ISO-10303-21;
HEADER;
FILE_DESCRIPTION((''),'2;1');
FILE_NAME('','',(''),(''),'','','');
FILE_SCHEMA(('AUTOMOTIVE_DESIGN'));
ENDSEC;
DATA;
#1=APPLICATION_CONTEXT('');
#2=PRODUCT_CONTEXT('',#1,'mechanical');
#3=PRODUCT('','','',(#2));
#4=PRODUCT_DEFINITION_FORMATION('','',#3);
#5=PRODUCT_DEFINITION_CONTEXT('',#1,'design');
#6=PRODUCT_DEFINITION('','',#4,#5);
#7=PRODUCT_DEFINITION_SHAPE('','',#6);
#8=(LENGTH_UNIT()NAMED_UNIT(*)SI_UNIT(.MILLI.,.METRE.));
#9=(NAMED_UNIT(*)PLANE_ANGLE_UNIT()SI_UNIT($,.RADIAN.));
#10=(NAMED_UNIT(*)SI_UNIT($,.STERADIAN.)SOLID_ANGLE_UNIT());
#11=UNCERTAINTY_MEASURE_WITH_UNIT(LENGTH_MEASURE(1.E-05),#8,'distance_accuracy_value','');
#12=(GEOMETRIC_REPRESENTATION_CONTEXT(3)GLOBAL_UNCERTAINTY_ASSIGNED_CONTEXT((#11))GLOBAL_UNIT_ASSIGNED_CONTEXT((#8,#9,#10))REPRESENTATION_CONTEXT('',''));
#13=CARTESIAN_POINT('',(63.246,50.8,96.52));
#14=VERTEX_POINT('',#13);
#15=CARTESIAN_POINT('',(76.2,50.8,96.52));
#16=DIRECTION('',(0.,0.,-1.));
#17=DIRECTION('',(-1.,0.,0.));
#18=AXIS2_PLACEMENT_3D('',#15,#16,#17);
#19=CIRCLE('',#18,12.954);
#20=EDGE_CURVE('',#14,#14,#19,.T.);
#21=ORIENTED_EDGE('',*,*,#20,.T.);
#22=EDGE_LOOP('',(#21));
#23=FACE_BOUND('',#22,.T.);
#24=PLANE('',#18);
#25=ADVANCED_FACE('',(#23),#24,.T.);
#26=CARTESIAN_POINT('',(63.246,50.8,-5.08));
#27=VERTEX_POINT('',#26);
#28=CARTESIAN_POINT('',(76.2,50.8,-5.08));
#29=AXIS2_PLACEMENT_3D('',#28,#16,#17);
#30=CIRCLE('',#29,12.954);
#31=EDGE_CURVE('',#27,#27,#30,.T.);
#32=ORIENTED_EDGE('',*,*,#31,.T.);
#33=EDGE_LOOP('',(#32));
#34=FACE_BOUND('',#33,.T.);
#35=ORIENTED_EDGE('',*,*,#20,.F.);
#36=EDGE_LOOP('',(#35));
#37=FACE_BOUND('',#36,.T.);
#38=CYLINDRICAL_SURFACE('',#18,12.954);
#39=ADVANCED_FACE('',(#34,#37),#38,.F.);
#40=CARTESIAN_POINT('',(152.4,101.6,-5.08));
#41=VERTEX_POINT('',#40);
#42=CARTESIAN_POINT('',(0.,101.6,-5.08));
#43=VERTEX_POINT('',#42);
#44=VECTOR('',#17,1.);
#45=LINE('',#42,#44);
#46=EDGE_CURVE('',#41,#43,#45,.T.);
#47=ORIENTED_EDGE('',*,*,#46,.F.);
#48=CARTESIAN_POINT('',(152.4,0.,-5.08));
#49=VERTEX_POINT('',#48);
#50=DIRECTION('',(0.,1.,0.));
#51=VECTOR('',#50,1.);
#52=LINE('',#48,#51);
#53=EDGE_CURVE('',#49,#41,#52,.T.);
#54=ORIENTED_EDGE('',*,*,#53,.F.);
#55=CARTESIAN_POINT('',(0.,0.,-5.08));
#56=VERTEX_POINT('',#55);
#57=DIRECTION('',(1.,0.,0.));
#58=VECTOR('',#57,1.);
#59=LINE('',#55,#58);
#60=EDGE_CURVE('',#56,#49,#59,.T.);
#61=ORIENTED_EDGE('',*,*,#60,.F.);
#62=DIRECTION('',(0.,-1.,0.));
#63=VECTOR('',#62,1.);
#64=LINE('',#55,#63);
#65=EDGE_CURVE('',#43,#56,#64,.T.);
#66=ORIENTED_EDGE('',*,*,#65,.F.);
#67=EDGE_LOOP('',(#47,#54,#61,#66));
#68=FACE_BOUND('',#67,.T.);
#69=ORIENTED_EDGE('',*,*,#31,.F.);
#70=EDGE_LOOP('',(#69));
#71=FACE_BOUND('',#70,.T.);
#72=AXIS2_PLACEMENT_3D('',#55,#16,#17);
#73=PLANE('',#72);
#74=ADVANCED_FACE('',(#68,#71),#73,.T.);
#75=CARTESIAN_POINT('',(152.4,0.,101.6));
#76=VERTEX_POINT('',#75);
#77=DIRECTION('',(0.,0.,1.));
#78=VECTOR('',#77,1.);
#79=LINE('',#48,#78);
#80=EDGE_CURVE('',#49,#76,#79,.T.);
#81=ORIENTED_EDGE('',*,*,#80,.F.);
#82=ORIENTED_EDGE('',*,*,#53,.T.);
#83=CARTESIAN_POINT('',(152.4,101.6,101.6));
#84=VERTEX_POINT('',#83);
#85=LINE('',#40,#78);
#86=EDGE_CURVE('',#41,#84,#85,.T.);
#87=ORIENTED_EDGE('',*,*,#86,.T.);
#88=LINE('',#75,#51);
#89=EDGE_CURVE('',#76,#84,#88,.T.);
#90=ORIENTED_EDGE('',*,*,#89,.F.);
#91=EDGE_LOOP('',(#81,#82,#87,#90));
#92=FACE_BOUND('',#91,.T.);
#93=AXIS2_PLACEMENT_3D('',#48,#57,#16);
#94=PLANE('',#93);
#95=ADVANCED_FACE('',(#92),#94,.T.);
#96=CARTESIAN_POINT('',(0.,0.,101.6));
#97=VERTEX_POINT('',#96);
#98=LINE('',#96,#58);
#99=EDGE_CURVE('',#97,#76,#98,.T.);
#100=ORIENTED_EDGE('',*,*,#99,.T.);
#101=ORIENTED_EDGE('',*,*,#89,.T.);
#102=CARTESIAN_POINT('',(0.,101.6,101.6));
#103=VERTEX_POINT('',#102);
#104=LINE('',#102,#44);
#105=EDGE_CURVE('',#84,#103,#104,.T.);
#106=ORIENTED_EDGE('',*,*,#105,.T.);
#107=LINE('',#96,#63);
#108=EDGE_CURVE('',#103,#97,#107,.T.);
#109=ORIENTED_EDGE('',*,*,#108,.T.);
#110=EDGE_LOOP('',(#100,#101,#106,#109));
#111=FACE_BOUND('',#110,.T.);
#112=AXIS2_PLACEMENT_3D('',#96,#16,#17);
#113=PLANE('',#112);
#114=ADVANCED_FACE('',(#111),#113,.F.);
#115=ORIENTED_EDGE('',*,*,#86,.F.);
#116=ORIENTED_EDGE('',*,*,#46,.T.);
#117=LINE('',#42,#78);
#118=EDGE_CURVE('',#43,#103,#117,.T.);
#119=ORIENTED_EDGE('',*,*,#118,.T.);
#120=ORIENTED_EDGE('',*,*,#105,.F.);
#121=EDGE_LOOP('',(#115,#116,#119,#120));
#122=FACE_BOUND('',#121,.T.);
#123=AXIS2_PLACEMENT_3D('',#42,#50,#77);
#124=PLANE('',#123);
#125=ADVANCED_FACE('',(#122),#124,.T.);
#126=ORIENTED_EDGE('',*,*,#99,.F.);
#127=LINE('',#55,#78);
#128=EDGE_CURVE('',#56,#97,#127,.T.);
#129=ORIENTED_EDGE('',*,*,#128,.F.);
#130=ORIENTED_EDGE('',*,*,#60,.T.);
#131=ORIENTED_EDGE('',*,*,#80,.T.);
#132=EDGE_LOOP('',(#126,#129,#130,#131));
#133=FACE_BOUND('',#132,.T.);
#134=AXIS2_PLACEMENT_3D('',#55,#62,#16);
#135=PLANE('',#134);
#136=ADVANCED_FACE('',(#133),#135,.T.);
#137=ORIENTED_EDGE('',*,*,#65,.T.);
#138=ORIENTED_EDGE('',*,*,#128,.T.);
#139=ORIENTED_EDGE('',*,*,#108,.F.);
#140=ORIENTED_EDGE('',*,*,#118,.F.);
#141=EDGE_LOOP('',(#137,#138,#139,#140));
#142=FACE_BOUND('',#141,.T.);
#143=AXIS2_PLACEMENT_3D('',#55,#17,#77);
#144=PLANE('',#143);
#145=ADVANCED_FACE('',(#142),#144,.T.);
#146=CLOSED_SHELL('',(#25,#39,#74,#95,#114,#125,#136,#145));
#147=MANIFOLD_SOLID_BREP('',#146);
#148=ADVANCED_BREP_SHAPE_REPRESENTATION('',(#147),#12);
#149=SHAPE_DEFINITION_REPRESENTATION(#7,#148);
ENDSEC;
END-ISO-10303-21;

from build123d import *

# Parameters (mm, degrees)
SKETCH1_W                = 152.4
SKETCH1_H                = 101.6
BOSS_EXTRUDE1_DEPTH      = 101.6
BOSS_EXTRUDE1_DEPTH_BACK = 5.08
SKETCH2_R                = 12.954
CUT_EXTRUDE1_DEPTH       = 101.6


with BuildPart() as part:
    # Sketch1 → Boss-Extrude1 (new body, two sides)
    with BuildSketch(Plane.XY) as boss_extrude1_sk:
        with Locations((76.2, 50.8)):
            Rectangle(SKETCH1_W, SKETCH1_H)
    extrude(amount=BOSS_EXTRUDE1_DEPTH)
    extrude(boss_extrude1_sk.sketch, amount=-BOSS_EXTRUDE1_DEPTH_BACK)

    # Sketch2 → Cut-Extrude1 (cut)
    with BuildSketch(Plane(origin=(0, 0, -5.08), x_dir=(-1, 0, 0), z_dir=(0, 0, -1))):
        with Locations((-76.2, 50.8)):
            Circle(SKETCH2_R)
    extrude(amount=-CUT_EXTRUDE1_DEPTH, mode=Mode.SUBTRACT)


solid = part.part
